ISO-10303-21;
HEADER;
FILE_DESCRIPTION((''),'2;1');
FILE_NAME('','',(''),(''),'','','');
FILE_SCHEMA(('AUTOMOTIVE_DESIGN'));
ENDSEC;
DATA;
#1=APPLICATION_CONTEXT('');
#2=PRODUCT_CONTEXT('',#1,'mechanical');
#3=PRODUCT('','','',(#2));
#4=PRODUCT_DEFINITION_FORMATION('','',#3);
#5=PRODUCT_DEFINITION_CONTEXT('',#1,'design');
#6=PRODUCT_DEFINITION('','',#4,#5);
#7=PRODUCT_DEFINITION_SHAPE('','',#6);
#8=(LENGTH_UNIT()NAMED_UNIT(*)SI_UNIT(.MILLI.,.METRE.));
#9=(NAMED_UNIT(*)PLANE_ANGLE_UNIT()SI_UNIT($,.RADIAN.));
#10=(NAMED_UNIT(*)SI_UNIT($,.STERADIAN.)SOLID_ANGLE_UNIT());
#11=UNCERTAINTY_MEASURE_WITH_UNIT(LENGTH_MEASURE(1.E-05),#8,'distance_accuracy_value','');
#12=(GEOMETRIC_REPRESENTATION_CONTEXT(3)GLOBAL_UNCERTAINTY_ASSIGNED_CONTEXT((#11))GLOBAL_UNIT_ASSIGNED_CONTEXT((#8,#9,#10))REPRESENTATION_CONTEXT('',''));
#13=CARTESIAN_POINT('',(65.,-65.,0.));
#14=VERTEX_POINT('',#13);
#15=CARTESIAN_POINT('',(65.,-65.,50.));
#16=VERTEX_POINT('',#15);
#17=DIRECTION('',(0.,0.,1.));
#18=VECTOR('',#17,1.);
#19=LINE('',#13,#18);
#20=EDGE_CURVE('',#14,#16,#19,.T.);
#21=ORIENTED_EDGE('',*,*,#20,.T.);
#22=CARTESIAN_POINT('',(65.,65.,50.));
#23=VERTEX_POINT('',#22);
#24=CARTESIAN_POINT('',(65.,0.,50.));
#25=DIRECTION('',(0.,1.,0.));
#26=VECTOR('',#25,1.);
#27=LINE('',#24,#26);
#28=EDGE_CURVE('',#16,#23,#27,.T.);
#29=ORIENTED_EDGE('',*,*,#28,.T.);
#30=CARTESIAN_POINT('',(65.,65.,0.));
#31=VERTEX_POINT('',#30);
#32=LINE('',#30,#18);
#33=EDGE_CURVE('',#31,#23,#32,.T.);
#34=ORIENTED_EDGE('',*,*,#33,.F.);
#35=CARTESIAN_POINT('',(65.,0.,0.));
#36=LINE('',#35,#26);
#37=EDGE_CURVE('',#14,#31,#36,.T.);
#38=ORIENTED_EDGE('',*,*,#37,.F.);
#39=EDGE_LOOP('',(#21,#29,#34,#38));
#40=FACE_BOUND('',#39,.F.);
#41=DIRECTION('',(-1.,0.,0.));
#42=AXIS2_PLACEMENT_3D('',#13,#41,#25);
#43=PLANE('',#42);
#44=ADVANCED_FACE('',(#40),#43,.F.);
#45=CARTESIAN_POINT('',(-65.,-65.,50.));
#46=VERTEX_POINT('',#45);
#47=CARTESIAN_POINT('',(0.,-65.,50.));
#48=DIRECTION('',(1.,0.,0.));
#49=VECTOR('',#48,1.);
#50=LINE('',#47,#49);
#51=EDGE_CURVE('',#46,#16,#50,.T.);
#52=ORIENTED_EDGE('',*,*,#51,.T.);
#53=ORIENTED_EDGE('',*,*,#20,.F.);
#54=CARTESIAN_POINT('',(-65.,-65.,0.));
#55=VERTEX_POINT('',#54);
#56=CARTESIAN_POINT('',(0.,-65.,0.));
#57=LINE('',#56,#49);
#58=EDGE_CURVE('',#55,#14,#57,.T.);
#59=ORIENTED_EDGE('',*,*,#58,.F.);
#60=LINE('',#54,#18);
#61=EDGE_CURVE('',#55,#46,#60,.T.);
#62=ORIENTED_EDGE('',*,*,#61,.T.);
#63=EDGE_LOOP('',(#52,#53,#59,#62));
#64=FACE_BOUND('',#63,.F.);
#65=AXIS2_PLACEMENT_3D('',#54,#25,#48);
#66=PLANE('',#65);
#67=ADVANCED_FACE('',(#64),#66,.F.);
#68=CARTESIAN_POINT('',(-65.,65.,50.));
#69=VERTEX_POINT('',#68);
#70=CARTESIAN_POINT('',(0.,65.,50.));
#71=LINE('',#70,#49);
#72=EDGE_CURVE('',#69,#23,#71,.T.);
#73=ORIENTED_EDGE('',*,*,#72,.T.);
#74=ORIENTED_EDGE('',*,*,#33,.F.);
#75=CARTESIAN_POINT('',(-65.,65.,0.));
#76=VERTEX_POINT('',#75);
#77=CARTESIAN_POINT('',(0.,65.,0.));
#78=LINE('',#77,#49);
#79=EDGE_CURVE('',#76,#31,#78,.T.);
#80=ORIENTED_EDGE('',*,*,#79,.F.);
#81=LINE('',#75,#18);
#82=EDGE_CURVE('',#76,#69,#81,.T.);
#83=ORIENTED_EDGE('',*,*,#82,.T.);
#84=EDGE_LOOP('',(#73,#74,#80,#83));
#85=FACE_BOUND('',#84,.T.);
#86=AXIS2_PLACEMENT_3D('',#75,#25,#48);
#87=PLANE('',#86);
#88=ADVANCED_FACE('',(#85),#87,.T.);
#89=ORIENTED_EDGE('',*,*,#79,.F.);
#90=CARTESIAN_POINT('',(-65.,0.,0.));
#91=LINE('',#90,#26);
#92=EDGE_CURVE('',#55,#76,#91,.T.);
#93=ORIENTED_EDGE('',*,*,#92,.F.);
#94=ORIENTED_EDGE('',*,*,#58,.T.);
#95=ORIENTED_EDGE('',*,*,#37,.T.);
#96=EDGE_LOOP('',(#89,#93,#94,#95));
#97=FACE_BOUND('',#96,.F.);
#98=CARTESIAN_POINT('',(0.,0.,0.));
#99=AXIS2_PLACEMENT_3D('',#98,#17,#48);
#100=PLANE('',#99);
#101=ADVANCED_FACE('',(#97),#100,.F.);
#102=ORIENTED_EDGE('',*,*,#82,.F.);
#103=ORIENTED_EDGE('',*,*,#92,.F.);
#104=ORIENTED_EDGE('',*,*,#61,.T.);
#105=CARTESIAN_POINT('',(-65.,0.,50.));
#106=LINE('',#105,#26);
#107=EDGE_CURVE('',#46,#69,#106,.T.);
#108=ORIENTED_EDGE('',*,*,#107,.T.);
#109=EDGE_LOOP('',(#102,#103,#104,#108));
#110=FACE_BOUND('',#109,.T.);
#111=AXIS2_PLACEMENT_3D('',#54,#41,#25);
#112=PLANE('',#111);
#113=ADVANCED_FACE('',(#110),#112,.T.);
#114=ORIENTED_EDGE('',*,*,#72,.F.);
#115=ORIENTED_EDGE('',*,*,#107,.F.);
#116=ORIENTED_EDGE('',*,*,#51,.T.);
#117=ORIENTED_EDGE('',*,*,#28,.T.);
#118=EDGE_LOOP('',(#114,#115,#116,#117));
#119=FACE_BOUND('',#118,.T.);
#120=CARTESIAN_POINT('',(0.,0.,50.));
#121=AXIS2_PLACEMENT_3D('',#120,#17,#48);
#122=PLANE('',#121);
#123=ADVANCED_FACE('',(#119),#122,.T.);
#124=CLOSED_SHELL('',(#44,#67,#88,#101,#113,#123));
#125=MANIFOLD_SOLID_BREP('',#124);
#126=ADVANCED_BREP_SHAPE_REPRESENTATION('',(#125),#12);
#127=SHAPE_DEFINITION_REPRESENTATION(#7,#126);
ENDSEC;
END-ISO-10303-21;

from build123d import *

# Parameters (mm, degrees)
SKETCH_W      = 130
SKETCH_H      = 130
EXTRUDE_DEPTH = 50


with BuildPart() as part:
    # Sketch → Extrude (new body)
    with BuildSketch(Plane.XY):
        Rectangle(SKETCH_W, SKETCH_H)
    extrude(amount=EXTRUDE_DEPTH)


solid = part.part
